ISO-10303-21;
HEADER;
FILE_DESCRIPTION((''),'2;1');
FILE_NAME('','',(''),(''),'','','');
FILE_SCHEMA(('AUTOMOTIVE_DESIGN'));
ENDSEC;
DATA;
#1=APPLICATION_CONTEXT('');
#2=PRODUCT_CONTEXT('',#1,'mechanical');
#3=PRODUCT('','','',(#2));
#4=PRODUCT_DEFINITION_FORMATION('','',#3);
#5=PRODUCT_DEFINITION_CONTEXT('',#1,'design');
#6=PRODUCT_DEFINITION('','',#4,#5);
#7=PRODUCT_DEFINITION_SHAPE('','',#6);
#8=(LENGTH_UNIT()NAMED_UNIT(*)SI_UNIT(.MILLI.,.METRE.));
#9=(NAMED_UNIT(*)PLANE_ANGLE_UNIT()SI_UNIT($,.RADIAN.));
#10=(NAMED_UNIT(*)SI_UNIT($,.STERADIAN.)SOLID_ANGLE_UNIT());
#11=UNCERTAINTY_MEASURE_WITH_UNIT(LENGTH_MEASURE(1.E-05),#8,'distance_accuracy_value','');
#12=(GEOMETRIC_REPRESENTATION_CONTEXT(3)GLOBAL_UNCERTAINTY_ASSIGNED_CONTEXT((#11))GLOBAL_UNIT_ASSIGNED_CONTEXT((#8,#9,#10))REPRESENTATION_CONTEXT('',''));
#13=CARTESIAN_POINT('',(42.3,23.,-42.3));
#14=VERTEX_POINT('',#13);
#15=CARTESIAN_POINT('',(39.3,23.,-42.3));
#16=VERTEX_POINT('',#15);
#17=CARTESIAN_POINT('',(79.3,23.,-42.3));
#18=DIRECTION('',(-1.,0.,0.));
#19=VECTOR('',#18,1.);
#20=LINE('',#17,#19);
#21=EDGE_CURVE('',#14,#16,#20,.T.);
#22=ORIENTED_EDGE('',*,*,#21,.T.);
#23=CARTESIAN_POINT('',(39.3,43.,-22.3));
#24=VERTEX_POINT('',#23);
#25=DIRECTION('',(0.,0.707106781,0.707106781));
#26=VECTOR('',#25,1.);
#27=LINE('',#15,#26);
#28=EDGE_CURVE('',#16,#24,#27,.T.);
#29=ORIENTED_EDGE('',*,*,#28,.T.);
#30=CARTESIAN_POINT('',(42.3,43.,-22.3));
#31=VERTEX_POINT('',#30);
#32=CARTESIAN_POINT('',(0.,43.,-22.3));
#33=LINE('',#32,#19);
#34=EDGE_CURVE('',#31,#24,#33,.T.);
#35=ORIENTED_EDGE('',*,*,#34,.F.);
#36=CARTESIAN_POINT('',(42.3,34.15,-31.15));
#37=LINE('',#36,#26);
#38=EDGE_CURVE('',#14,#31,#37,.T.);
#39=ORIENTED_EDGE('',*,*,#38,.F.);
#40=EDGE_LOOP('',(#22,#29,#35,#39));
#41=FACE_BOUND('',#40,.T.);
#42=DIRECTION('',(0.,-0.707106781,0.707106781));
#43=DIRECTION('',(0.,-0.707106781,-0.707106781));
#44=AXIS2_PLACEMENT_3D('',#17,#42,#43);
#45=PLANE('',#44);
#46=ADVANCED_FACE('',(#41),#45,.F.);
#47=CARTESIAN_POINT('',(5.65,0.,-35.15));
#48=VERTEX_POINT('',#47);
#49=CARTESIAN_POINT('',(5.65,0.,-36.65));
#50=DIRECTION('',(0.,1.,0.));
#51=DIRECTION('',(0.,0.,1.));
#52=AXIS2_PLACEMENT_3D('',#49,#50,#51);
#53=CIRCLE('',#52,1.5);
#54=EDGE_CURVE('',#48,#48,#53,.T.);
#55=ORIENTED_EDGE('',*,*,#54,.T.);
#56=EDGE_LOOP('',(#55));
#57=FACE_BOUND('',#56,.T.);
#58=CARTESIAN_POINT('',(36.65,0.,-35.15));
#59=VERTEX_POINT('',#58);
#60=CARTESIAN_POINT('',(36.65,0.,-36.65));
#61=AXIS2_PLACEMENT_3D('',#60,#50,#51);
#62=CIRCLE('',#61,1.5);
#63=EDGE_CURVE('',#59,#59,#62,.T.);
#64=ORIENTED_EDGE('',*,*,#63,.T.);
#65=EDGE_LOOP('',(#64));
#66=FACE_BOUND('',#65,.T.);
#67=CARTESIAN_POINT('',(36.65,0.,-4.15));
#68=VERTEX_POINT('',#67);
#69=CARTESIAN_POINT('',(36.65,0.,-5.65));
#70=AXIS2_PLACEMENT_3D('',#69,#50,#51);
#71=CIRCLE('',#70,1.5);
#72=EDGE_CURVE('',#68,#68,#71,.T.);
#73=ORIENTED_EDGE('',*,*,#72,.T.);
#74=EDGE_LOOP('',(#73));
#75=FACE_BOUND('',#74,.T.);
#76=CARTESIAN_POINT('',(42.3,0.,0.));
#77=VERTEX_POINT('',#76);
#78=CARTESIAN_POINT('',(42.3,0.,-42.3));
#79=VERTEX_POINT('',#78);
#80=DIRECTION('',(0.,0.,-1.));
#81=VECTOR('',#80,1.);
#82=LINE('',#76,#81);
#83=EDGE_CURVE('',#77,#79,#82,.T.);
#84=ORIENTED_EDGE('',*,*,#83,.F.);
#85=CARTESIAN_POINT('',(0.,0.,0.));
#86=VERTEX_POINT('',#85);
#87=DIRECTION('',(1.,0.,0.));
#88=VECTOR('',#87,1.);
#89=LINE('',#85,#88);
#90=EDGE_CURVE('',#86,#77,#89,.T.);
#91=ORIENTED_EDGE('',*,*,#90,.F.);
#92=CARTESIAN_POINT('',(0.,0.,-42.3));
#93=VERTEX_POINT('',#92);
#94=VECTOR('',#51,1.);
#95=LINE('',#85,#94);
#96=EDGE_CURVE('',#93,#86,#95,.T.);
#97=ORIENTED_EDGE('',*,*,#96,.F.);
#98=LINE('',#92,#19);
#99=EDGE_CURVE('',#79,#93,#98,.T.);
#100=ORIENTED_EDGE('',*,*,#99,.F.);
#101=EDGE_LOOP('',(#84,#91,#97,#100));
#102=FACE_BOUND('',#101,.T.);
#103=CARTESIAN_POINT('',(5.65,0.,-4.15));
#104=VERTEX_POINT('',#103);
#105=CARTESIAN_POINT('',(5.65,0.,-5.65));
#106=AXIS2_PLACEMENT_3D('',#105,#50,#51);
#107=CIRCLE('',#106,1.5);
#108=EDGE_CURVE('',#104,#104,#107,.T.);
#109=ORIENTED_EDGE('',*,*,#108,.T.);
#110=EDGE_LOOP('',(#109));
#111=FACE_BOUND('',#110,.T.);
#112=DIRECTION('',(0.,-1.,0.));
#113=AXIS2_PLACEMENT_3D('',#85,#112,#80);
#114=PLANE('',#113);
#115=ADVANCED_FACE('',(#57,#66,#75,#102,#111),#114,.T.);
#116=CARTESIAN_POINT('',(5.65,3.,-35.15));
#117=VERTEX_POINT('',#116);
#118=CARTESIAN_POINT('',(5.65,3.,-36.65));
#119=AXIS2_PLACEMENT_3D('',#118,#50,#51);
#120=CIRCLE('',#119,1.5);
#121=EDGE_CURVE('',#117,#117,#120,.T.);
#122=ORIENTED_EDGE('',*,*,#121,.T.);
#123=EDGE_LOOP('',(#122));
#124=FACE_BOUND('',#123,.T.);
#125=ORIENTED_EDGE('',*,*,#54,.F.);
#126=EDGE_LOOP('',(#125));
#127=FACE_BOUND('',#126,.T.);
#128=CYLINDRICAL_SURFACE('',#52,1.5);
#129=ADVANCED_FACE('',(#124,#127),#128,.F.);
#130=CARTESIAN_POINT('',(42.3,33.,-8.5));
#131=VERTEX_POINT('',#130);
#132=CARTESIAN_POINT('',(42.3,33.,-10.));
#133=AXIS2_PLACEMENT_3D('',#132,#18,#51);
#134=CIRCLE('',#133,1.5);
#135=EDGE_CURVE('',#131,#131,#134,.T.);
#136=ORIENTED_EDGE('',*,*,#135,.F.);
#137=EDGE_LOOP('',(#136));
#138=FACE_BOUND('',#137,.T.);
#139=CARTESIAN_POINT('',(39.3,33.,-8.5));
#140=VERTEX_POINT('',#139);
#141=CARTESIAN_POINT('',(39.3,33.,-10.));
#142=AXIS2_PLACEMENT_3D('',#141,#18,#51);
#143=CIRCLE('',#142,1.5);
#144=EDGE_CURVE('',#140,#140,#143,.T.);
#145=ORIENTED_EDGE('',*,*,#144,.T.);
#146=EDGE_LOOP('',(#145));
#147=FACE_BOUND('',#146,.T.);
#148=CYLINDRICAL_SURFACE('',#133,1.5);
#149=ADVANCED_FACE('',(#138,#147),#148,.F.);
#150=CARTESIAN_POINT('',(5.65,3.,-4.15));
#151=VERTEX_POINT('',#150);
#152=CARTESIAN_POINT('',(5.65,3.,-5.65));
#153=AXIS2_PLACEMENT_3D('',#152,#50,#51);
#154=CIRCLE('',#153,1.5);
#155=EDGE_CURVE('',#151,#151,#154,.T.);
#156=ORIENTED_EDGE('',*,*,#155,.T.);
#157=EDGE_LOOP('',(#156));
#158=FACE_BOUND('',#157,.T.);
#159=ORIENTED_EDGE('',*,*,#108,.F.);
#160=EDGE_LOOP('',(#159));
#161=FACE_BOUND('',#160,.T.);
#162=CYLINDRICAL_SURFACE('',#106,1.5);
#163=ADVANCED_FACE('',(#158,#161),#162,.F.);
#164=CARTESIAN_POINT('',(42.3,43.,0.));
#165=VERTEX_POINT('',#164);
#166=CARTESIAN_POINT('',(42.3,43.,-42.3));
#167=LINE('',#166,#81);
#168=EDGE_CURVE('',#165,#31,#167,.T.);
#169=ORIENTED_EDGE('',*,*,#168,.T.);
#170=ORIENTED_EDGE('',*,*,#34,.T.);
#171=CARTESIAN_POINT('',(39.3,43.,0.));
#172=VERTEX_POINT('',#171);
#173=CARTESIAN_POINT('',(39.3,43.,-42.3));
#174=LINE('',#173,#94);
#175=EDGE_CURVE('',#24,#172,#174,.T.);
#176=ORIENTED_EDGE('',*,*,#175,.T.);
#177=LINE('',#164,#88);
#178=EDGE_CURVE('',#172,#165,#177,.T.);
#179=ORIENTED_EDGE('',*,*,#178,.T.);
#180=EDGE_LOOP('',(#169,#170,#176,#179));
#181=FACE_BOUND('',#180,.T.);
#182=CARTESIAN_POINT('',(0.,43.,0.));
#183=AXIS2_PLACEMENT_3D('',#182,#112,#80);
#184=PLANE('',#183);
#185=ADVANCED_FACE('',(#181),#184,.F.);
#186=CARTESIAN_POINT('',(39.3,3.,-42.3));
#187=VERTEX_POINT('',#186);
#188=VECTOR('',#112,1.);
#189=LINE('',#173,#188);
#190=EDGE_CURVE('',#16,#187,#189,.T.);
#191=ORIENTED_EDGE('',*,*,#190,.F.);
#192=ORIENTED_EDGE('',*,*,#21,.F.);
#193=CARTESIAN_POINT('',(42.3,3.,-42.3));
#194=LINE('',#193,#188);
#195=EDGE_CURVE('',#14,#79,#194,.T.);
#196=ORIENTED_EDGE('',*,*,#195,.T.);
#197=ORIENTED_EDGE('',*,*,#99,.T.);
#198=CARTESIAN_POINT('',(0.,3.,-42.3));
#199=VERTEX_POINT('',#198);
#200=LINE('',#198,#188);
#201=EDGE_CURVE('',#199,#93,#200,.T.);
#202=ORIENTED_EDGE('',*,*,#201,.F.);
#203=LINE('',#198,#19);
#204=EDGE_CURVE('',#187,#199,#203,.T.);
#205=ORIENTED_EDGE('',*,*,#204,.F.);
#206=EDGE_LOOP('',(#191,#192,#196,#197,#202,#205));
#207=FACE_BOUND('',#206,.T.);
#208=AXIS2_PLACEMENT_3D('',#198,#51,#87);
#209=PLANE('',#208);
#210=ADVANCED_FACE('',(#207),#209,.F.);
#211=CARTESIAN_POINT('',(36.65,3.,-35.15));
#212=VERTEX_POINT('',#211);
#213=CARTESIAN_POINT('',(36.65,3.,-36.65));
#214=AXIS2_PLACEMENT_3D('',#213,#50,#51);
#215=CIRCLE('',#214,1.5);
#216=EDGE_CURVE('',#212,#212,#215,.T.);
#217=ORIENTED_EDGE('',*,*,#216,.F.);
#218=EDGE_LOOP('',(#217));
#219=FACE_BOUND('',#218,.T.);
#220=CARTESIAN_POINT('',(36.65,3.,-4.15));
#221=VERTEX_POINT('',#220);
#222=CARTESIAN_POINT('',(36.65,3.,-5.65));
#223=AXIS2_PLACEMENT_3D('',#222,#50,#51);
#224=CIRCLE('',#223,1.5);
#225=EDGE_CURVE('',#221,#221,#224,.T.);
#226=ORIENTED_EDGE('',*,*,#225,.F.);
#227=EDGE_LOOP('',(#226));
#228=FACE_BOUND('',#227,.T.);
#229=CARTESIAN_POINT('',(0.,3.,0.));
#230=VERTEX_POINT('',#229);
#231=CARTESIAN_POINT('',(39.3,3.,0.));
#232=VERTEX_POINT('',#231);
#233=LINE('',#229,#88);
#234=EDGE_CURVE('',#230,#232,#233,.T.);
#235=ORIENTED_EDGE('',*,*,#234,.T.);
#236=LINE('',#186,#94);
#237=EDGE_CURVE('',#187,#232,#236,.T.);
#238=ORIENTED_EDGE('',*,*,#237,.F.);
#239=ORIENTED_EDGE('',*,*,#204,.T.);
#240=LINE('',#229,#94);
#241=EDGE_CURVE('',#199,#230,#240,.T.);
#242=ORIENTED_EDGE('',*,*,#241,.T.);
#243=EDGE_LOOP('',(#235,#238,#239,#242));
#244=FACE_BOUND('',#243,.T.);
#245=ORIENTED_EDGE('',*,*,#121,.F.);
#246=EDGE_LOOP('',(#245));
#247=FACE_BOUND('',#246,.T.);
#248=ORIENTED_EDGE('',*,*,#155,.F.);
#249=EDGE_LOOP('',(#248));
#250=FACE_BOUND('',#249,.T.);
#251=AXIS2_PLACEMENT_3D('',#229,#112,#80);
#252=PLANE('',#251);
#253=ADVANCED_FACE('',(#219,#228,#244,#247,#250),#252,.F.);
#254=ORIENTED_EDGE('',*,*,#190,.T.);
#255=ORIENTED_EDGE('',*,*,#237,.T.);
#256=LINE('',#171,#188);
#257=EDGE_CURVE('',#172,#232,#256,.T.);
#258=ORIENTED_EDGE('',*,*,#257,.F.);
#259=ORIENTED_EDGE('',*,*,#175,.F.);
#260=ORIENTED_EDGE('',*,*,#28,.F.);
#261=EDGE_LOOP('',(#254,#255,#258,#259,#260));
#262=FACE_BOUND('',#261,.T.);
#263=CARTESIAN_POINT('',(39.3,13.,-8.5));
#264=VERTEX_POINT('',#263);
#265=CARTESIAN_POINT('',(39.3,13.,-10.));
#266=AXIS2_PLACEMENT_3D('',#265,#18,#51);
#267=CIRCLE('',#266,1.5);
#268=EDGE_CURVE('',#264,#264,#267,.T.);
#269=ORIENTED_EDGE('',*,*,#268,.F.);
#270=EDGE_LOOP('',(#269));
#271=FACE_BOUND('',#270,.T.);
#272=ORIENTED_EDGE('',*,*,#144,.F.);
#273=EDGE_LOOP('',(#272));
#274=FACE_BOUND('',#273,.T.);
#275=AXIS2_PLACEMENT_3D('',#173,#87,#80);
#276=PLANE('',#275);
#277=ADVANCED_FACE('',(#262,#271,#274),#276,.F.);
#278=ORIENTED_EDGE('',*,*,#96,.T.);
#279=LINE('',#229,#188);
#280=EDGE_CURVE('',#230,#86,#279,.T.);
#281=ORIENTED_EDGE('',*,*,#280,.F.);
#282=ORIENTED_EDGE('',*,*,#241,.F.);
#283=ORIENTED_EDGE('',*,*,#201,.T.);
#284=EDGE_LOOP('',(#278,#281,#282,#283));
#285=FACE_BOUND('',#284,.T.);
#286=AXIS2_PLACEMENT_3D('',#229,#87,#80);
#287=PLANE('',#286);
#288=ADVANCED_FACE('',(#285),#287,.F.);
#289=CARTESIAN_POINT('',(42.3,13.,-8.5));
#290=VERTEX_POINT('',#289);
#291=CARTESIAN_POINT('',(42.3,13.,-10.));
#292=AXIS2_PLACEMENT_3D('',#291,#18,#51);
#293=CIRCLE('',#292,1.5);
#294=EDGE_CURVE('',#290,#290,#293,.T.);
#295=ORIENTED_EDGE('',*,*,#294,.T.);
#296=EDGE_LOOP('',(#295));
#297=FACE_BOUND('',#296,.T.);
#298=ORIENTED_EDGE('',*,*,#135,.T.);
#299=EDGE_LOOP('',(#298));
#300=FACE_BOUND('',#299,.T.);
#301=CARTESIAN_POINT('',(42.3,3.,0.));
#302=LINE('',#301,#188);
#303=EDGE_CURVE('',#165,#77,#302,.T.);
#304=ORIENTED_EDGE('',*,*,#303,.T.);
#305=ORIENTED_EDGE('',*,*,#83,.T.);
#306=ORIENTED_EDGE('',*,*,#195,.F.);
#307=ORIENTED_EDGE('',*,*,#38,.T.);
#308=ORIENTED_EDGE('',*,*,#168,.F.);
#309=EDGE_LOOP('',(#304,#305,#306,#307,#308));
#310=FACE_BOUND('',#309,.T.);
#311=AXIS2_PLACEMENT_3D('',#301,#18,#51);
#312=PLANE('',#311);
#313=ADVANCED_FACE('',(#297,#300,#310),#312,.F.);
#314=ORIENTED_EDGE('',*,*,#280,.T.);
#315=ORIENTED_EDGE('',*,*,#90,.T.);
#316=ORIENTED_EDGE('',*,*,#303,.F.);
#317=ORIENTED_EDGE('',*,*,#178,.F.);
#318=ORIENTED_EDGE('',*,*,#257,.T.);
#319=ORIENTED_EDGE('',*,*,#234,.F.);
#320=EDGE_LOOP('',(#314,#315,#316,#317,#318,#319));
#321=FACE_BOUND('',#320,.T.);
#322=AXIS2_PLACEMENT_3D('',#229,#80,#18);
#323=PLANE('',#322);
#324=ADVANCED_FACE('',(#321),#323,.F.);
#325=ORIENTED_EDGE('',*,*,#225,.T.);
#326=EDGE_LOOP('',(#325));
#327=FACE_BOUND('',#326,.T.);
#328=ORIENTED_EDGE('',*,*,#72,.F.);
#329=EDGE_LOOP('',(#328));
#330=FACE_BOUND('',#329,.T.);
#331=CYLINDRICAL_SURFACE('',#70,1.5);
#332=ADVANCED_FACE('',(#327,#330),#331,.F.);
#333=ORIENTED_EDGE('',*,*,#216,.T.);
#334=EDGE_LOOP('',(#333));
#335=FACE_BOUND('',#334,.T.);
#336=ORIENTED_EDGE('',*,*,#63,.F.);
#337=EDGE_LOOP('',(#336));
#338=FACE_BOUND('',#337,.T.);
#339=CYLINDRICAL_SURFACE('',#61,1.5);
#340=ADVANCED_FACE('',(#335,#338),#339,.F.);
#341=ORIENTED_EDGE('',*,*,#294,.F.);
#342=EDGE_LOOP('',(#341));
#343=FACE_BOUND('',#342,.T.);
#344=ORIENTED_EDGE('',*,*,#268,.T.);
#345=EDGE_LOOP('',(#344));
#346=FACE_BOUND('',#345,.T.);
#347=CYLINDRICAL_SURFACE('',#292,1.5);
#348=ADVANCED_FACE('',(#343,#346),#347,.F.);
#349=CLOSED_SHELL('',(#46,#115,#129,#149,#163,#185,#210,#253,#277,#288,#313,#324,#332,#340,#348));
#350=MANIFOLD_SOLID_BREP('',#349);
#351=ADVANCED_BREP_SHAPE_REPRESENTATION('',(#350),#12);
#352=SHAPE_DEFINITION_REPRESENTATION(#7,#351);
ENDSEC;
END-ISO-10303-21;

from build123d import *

# Parameters (mm, degrees)
SKETCH1_W           = 42.3
SKETCH1_H           = 42.3
BOSS_EXTRUDE1_DEPTH = 3
SKETCH2_R           = 1.5
CUT_EXTRUDE1_DEPTH  = 4
SKETCH5_W           = 3
SKETCH5_H           = 42.3
BOSS_EXTRUDE2_DEPTH = 40
CUT_EXTRUDE2_DEPTH  = 40
SKETCH7_R           = 1.5
CUT_EXTRUDE3_DEPTH  = 4


with BuildPart() as part:
    # Sketch1 → Boss-Extrude1 (new body)
    with BuildSketch(Plane(origin=(0, 0, 0), x_dir=(1, 0, 0), z_dir=(0, 1, 0))):
        with Locations((21.15, 21.15)):
            Rectangle(SKETCH1_W, SKETCH1_H)
    extrude(amount=BOSS_EXTRUDE1_DEPTH)

    # Sketch2 → Cut-Extrude1 (cut, through all)
    with BuildSketch(Plane(origin=(0, 3, 0), x_dir=(1, 0, 0), z_dir=(0, 1, 0))):
        with Locations((5.65, 5.65)):
            Circle(SKETCH2_R)
        with Locations((36.65, 5.65)):
            Circle(SKETCH2_R)
        with Locations((36.65, 36.65)):
            Circle(SKETCH2_R)
        with Locations((5.65, 36.65)):
            Circle(SKETCH2_R)
    extrude(amount=-CUT_EXTRUDE1_DEPTH, mode=Mode.SUBTRACT)

    # Sketch5 → Boss-Extrude2 (add)
    with BuildSketch(Plane(origin=(0, 3, 0), x_dir=(1, 0, 0), z_dir=(0, 1, 0))):
        with Locations((40.8, 21.15)):
            Rectangle(SKETCH5_W, SKETCH5_H)
    extrude(amount=BOSS_EXTRUDE2_DEPTH)

    # Sketch6 → Cut-Extrude2 (cut)
    with BuildSketch(Plane.ZY.offset(-39.3)):
        Polygon((-42.3, 43), (-22.3, 43), (-42.3, 23), align=None)
    extrude(amount=-CUT_EXTRUDE2_DEPTH, mode=Mode.SUBTRACT)

    # Sketch7 → Cut-Extrude3 (cut, through all)
    with BuildSketch(Plane.ZY.offset(-39.3)):
        with Locations((-10, 33)):
            Circle(SKETCH7_R)
        with Locations((-10, 13)):
            Circle(SKETCH7_R)
    extrude(amount=-CUT_EXTRUDE3_DEPTH, mode=Mode.SUBTRACT)


solid = part.part
